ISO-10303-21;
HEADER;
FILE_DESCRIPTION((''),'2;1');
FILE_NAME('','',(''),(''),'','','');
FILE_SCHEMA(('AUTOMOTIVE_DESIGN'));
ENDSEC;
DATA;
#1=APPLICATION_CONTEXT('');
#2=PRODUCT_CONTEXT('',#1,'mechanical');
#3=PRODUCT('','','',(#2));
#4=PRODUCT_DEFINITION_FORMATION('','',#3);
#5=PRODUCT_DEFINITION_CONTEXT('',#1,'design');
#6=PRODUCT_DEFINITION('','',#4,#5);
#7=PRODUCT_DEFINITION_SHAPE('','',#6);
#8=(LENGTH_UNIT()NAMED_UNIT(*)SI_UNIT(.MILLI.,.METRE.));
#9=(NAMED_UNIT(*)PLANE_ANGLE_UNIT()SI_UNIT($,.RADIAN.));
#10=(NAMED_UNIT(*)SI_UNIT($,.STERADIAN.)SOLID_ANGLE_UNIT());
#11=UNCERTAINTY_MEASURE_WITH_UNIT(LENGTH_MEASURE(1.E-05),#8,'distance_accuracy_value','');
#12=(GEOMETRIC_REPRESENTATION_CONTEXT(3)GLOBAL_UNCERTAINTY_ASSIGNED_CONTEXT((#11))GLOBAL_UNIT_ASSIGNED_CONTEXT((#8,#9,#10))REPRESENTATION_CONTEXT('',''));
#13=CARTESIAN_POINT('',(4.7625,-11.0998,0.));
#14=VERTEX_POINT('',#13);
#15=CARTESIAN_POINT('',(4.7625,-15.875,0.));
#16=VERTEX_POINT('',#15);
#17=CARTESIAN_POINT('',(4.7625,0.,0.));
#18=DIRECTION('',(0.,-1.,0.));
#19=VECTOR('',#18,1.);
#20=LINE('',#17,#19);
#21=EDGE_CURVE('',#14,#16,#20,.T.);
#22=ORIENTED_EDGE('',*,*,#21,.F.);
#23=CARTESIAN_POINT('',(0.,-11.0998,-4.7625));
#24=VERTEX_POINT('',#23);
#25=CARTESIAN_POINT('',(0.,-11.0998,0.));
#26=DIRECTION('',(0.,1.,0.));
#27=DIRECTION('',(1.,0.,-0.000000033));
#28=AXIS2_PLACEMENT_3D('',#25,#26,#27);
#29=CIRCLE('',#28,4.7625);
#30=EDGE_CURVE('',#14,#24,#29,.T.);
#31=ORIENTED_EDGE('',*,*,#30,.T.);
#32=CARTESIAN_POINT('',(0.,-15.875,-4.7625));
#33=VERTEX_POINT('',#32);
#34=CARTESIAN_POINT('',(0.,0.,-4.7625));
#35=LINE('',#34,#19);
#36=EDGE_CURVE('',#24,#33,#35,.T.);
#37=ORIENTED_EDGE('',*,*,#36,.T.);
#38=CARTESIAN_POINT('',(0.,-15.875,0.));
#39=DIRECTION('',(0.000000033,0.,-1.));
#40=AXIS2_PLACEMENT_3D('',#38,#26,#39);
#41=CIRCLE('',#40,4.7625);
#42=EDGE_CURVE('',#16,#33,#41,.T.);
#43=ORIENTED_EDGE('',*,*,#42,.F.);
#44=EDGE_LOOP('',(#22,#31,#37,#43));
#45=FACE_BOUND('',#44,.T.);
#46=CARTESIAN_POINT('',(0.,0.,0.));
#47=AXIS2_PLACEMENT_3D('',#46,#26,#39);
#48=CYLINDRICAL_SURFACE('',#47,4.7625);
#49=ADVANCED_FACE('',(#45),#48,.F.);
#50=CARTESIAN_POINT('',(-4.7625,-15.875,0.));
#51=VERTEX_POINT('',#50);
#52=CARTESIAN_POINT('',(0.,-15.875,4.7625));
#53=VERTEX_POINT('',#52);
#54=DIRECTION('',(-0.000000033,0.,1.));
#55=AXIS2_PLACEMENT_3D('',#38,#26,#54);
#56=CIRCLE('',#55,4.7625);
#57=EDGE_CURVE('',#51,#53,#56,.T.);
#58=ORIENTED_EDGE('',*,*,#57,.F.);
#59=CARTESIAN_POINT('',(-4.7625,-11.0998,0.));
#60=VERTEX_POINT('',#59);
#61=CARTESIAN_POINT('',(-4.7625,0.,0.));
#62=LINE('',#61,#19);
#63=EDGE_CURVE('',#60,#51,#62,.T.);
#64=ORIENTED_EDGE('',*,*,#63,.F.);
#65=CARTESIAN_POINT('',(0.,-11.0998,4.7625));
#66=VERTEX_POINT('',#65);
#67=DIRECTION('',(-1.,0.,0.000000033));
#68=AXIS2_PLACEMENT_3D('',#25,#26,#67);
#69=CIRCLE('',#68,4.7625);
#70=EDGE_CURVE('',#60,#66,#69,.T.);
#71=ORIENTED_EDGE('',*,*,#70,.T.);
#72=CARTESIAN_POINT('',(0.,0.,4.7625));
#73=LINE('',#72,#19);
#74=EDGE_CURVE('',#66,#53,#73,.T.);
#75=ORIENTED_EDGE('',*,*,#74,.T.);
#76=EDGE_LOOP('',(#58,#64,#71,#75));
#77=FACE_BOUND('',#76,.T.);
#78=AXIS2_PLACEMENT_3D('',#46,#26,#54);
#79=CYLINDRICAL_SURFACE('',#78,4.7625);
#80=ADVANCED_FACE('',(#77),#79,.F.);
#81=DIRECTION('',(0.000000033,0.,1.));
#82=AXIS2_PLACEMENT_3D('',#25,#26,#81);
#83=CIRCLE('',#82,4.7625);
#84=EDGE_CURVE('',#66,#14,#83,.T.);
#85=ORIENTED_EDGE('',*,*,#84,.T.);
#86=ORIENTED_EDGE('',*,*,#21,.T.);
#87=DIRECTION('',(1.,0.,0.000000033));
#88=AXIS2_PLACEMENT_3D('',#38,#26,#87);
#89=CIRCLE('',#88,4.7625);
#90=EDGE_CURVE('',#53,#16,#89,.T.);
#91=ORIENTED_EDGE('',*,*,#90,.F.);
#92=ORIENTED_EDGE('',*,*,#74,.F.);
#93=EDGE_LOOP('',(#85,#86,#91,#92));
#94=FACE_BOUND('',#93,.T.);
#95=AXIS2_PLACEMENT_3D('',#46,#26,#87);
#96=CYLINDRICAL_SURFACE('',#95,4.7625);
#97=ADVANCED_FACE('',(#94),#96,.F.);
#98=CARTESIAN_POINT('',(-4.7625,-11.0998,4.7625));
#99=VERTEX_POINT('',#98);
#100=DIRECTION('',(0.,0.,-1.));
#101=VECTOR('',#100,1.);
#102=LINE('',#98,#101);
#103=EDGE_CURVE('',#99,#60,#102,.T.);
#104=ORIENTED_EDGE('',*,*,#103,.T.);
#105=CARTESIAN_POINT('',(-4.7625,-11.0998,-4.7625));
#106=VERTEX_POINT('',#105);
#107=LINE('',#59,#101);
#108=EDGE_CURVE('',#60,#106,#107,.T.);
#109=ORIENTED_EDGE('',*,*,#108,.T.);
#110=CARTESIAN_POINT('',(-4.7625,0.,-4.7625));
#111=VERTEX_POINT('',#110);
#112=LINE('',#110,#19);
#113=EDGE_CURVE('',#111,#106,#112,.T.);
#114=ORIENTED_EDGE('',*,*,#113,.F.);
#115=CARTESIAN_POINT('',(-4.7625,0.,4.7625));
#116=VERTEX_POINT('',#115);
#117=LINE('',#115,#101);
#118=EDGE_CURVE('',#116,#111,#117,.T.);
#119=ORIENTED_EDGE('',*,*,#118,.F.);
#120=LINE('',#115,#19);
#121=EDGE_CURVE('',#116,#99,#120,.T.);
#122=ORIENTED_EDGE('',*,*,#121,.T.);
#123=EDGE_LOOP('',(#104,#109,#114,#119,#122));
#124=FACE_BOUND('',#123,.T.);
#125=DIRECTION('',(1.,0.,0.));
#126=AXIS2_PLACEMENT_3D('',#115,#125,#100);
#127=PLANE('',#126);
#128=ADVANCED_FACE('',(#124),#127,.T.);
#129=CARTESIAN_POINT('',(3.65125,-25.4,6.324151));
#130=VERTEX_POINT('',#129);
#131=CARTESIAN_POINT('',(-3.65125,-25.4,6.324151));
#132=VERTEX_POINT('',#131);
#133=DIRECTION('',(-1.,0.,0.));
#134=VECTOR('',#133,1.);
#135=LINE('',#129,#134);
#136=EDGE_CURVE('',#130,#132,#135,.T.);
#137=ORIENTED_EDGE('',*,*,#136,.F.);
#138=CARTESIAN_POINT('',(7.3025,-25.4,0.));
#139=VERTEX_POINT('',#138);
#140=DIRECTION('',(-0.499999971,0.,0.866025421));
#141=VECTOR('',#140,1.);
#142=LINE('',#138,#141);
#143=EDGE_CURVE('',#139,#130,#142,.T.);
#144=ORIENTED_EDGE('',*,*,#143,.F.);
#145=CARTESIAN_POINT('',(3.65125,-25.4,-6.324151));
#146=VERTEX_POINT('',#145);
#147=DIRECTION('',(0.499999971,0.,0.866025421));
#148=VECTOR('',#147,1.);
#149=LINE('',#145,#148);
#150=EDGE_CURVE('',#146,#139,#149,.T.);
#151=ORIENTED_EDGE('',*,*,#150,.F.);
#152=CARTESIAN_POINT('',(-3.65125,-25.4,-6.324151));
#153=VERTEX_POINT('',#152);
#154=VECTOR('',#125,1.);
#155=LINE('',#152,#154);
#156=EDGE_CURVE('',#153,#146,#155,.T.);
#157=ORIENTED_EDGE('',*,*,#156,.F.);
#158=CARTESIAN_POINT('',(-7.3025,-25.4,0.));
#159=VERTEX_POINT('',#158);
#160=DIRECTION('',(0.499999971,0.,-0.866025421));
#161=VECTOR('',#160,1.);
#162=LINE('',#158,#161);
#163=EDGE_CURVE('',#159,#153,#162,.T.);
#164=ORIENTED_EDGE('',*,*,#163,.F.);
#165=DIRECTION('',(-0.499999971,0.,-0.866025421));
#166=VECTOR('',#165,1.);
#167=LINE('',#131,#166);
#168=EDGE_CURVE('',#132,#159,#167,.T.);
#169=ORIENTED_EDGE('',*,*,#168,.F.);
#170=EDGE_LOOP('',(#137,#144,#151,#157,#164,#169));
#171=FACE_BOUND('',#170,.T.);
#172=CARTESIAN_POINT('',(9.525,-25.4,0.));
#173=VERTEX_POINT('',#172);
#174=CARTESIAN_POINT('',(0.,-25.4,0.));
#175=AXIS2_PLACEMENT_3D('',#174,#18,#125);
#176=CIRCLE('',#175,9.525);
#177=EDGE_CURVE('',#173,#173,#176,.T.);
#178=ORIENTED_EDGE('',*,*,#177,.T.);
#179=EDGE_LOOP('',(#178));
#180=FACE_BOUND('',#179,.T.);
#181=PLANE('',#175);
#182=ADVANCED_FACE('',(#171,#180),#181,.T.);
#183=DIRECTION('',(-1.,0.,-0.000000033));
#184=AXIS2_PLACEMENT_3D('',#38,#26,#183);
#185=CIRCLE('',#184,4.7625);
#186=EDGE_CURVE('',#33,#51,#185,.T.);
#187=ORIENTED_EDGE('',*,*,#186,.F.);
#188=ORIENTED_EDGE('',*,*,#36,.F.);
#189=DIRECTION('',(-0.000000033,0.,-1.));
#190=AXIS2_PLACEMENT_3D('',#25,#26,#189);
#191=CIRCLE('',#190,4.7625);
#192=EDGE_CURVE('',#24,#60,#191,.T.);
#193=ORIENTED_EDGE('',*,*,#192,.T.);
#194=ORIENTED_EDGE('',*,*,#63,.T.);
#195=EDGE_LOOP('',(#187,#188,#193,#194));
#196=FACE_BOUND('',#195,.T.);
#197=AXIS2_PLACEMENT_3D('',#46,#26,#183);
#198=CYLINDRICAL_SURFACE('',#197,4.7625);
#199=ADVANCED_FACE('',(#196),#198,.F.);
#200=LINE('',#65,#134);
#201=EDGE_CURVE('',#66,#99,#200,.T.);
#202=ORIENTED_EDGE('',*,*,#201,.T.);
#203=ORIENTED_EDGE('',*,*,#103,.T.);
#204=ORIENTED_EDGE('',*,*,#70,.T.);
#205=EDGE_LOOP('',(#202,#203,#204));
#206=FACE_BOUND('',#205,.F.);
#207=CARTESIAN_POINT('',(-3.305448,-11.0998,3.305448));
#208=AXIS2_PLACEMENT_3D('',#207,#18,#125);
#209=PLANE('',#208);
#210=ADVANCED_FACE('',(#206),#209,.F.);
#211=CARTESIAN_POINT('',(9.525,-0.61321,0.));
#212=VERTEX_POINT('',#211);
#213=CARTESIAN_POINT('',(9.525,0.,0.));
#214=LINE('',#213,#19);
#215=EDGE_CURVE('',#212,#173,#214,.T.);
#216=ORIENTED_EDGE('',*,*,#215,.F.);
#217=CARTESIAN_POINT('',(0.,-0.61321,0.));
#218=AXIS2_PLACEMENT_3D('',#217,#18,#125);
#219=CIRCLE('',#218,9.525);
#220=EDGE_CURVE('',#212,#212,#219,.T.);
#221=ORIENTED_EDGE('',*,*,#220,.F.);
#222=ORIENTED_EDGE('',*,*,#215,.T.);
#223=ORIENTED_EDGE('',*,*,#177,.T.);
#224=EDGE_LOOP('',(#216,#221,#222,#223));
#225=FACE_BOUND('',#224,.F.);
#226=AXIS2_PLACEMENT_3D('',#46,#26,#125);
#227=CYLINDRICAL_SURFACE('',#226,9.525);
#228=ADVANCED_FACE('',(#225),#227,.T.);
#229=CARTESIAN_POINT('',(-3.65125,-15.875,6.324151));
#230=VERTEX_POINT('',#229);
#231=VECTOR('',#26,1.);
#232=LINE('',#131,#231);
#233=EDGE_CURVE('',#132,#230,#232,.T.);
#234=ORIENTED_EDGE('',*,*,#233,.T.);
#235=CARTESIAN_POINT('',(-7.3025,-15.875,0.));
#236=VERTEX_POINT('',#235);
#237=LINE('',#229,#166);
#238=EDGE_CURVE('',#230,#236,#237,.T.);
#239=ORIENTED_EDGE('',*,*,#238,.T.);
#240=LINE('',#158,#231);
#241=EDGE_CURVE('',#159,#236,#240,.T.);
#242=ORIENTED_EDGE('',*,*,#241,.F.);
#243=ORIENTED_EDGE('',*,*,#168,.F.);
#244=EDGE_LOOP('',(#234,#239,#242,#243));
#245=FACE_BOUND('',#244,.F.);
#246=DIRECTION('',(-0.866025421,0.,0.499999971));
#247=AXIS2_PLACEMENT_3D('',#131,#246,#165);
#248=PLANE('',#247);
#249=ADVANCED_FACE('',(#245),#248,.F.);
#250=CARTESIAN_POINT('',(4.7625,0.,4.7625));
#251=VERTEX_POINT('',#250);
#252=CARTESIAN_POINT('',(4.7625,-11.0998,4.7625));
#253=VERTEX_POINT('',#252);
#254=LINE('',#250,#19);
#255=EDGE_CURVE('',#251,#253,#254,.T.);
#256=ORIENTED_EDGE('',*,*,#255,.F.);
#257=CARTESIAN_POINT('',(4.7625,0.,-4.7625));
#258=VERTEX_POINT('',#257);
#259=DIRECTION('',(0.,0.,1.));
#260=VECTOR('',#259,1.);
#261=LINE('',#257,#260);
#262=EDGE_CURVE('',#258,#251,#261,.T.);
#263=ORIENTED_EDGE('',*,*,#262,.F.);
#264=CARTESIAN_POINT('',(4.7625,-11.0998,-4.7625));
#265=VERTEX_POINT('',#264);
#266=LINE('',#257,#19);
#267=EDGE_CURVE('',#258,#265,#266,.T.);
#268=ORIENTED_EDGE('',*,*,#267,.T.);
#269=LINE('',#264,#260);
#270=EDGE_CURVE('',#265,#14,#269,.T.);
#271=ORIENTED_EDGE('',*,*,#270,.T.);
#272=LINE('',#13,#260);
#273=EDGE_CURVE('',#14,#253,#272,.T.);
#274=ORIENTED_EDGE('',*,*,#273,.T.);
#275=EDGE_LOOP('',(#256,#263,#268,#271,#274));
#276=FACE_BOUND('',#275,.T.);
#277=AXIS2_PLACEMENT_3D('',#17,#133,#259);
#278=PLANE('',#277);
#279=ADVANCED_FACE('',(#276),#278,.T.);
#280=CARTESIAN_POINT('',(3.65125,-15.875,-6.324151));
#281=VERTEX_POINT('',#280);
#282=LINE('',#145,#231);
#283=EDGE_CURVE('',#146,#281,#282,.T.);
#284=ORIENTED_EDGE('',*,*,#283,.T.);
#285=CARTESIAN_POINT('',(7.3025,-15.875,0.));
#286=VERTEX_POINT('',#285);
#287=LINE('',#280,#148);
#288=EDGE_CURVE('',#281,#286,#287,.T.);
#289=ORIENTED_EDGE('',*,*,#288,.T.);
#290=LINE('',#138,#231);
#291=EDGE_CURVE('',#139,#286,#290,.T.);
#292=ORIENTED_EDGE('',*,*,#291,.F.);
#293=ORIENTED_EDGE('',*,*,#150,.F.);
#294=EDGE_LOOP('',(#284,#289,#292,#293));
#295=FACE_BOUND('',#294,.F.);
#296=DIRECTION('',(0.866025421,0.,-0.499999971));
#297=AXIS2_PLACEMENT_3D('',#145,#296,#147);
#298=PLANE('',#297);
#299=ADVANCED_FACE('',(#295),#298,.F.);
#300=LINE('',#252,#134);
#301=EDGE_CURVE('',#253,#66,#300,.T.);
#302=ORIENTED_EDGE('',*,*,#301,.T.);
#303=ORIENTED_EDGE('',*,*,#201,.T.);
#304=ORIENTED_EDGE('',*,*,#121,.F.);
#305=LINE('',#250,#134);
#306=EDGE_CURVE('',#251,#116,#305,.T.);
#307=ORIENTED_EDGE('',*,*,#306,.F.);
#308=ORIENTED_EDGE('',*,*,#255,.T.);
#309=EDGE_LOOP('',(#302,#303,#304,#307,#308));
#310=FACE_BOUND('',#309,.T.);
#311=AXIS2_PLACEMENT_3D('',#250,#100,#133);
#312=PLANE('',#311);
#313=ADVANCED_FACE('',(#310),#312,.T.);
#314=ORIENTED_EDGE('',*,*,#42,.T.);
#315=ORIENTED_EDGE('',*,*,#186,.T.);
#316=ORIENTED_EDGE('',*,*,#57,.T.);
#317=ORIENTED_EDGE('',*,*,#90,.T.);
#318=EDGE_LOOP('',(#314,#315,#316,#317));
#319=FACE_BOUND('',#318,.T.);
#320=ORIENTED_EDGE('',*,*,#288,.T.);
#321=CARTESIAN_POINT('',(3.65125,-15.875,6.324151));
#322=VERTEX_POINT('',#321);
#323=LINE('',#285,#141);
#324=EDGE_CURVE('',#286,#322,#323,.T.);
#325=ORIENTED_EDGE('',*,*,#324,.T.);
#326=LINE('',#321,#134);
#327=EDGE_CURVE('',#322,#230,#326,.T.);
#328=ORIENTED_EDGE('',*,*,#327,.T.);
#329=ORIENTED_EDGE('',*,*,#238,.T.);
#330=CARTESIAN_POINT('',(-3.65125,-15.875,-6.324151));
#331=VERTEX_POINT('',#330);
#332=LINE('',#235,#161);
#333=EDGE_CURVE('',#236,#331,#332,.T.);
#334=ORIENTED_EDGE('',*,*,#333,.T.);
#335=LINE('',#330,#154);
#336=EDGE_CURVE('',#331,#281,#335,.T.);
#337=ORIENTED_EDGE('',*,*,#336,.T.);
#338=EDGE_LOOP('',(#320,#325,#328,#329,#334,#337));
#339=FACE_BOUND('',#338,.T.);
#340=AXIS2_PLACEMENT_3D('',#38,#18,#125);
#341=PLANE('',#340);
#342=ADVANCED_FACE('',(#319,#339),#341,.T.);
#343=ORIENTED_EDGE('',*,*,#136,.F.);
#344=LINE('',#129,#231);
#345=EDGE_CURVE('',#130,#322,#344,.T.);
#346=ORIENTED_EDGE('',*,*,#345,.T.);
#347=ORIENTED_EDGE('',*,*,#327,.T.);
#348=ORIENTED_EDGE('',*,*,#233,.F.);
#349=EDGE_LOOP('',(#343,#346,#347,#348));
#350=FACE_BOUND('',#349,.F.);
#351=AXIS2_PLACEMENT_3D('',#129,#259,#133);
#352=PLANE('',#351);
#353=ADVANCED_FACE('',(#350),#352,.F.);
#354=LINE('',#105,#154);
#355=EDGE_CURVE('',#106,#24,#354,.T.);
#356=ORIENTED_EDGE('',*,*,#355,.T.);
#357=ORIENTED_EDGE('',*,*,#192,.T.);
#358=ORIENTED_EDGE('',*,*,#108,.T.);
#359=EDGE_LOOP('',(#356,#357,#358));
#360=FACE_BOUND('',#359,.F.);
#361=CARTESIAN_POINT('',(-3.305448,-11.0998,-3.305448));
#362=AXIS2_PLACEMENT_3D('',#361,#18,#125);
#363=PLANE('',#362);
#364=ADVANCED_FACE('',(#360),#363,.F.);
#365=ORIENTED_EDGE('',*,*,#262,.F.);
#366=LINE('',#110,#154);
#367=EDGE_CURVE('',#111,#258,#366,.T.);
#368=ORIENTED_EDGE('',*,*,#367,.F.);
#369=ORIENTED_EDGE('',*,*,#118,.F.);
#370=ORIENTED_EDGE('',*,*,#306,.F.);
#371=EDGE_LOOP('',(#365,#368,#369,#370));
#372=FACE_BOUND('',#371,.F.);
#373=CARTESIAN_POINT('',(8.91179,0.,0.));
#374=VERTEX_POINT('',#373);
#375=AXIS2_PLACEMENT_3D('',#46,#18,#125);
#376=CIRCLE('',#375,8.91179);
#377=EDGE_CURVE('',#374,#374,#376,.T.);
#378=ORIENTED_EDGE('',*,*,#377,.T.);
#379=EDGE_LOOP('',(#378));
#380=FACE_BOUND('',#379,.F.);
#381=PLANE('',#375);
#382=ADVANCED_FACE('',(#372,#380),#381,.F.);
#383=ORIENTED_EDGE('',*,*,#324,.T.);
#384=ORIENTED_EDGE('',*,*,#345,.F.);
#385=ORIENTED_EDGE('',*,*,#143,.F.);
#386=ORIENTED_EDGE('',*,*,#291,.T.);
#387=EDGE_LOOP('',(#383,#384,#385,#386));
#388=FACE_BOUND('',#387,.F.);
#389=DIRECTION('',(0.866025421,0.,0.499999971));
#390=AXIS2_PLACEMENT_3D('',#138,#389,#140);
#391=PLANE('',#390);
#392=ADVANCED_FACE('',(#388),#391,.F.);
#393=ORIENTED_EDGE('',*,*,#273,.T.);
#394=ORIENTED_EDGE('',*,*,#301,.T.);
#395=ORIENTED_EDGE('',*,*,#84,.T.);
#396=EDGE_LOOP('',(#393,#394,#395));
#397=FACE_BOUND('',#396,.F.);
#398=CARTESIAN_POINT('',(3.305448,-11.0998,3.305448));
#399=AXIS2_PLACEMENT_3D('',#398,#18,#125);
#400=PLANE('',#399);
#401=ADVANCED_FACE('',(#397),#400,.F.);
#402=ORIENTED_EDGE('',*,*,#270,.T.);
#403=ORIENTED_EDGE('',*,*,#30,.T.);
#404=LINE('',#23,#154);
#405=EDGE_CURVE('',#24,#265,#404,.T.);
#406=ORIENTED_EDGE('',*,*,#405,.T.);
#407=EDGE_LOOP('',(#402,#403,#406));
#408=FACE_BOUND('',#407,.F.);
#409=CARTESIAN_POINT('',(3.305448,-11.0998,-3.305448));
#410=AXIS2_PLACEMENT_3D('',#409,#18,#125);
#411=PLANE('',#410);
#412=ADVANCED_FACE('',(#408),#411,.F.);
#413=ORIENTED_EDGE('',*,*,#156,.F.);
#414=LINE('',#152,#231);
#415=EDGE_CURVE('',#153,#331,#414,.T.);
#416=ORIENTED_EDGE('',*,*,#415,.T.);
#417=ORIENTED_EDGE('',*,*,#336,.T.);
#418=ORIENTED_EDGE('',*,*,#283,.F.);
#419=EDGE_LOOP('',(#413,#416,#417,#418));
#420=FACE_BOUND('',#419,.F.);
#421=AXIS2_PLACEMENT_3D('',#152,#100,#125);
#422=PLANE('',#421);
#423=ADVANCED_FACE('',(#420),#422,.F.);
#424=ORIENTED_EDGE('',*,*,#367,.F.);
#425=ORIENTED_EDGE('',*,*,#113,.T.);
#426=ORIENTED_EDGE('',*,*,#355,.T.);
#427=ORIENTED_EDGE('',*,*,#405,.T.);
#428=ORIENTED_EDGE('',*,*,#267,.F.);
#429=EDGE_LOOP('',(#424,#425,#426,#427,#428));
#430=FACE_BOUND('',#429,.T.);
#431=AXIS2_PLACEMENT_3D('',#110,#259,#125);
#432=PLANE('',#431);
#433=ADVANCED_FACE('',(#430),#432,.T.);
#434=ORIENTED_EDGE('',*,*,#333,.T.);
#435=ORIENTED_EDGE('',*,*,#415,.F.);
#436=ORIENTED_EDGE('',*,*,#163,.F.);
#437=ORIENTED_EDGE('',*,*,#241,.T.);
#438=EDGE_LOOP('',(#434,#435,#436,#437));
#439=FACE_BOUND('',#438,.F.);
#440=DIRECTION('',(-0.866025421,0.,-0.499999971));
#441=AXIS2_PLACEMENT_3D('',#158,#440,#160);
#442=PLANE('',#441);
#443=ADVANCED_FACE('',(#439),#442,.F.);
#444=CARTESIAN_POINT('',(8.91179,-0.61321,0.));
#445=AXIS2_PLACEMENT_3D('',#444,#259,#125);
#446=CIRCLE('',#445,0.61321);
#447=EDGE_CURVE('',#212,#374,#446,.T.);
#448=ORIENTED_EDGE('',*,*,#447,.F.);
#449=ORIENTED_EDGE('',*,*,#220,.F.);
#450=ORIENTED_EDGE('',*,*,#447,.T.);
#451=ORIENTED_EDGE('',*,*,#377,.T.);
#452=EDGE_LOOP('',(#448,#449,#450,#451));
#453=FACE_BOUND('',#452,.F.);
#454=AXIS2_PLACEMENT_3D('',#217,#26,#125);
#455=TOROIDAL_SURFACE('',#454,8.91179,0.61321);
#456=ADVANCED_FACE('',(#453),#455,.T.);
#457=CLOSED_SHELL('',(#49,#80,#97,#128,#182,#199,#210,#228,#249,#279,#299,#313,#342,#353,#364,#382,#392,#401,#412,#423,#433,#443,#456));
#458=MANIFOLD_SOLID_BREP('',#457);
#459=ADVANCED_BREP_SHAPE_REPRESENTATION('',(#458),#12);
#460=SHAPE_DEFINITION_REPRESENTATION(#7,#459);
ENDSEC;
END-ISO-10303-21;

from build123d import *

# Parameters (mm, degrees)
F0_R     = 9.525
F1_DEPTH = 25.4
F3_DEPTH = 25.401
F4_DEPTH = 11.0998
F6_DEPTH = 9.525
F7_R     = 0.61321


with BuildPart() as f1:
    # F0 (on Front) → F1 (new body)
    with BuildSketch(Plane.XZ):
        Circle(F0_R)
    extrude(amount=F1_DEPTH)

    # F2 (on Front) → F3 (cut, through all)
    with BuildSketch(Plane.XZ):
        with BuildLine():
            ThreePointArc((4.7625, 0), (3.367596, 3.367596), (0, 4.7625))
            ThreePointArc((0, 4.7625), (-3.367596, 3.367596), (-4.7625, 0))
            ThreePointArc((-4.7625, 0), (-3.367596, -3.367596), (0, -4.7625))
            ThreePointArc((0, -4.7625), (3.367596, -3.367596), (4.7625, 0))
        make_face()
    extrude(amount=F3_DEPTH, mode=Mode.SUBTRACT)

    # F2 (on Front) → F4 (cut)
    with BuildSketch(Plane.XZ):
        with BuildLine():
            ThreePointArc((0, -4.7625), (-3.367596, -3.367596), (-4.7625, 0))
            Line((-4.7625, 0), (-4.7625, -4.7625))
            Line((-4.7625, -4.7625), (0, -4.7625))
        make_face()
        with BuildLine():
            ThreePointArc((-4.7625, 0), (-3.367596, 3.367596), (0, 4.7625))
            Line((0, 4.7625), (-4.7625, 4.7625))
            Line((-4.7625, 4.7625), (-4.7625, 0))
        make_face()
        with BuildLine():
            Line((4.7625, 0), (4.7625, 4.7625))
            Line((4.7625, 4.7625), (0, 4.7625))
            ThreePointArc((0, 4.7625), (3.367596, 3.367596), (4.7625, 0))
        make_face()
        with BuildLine():
            Line((4.7625, -4.7625), (4.7625, 0))
            ThreePointArc((4.7625, 0), (3.367596, -3.367596), (0, -4.7625))
            Line((0, -4.7625), (4.7625, -4.7625))
        make_face()
    extrude(amount=F4_DEPTH, mode=Mode.SUBTRACT)

    # F5 (on face) → F6 (cut)
    with BuildSketch(Plane.XZ.offset(25.4)):
        Polygon((3.65125, -6.324151), (7.3025, 0), (3.65125, 6.324151), (-3.65125, 6.324151), (-7.3025, 0), (-3.65125, -6.324151), align=None)
    extrude(amount=-F6_DEPTH, mode=Mode.SUBTRACT)

    # F7
    f7_edges = [f1.edges().sort_by_distance(p)[0] for p in [
        (-9.525, 0, 0),
    ]]
    fillet(f7_edges, radius=F7_R)


solid = f1.part
